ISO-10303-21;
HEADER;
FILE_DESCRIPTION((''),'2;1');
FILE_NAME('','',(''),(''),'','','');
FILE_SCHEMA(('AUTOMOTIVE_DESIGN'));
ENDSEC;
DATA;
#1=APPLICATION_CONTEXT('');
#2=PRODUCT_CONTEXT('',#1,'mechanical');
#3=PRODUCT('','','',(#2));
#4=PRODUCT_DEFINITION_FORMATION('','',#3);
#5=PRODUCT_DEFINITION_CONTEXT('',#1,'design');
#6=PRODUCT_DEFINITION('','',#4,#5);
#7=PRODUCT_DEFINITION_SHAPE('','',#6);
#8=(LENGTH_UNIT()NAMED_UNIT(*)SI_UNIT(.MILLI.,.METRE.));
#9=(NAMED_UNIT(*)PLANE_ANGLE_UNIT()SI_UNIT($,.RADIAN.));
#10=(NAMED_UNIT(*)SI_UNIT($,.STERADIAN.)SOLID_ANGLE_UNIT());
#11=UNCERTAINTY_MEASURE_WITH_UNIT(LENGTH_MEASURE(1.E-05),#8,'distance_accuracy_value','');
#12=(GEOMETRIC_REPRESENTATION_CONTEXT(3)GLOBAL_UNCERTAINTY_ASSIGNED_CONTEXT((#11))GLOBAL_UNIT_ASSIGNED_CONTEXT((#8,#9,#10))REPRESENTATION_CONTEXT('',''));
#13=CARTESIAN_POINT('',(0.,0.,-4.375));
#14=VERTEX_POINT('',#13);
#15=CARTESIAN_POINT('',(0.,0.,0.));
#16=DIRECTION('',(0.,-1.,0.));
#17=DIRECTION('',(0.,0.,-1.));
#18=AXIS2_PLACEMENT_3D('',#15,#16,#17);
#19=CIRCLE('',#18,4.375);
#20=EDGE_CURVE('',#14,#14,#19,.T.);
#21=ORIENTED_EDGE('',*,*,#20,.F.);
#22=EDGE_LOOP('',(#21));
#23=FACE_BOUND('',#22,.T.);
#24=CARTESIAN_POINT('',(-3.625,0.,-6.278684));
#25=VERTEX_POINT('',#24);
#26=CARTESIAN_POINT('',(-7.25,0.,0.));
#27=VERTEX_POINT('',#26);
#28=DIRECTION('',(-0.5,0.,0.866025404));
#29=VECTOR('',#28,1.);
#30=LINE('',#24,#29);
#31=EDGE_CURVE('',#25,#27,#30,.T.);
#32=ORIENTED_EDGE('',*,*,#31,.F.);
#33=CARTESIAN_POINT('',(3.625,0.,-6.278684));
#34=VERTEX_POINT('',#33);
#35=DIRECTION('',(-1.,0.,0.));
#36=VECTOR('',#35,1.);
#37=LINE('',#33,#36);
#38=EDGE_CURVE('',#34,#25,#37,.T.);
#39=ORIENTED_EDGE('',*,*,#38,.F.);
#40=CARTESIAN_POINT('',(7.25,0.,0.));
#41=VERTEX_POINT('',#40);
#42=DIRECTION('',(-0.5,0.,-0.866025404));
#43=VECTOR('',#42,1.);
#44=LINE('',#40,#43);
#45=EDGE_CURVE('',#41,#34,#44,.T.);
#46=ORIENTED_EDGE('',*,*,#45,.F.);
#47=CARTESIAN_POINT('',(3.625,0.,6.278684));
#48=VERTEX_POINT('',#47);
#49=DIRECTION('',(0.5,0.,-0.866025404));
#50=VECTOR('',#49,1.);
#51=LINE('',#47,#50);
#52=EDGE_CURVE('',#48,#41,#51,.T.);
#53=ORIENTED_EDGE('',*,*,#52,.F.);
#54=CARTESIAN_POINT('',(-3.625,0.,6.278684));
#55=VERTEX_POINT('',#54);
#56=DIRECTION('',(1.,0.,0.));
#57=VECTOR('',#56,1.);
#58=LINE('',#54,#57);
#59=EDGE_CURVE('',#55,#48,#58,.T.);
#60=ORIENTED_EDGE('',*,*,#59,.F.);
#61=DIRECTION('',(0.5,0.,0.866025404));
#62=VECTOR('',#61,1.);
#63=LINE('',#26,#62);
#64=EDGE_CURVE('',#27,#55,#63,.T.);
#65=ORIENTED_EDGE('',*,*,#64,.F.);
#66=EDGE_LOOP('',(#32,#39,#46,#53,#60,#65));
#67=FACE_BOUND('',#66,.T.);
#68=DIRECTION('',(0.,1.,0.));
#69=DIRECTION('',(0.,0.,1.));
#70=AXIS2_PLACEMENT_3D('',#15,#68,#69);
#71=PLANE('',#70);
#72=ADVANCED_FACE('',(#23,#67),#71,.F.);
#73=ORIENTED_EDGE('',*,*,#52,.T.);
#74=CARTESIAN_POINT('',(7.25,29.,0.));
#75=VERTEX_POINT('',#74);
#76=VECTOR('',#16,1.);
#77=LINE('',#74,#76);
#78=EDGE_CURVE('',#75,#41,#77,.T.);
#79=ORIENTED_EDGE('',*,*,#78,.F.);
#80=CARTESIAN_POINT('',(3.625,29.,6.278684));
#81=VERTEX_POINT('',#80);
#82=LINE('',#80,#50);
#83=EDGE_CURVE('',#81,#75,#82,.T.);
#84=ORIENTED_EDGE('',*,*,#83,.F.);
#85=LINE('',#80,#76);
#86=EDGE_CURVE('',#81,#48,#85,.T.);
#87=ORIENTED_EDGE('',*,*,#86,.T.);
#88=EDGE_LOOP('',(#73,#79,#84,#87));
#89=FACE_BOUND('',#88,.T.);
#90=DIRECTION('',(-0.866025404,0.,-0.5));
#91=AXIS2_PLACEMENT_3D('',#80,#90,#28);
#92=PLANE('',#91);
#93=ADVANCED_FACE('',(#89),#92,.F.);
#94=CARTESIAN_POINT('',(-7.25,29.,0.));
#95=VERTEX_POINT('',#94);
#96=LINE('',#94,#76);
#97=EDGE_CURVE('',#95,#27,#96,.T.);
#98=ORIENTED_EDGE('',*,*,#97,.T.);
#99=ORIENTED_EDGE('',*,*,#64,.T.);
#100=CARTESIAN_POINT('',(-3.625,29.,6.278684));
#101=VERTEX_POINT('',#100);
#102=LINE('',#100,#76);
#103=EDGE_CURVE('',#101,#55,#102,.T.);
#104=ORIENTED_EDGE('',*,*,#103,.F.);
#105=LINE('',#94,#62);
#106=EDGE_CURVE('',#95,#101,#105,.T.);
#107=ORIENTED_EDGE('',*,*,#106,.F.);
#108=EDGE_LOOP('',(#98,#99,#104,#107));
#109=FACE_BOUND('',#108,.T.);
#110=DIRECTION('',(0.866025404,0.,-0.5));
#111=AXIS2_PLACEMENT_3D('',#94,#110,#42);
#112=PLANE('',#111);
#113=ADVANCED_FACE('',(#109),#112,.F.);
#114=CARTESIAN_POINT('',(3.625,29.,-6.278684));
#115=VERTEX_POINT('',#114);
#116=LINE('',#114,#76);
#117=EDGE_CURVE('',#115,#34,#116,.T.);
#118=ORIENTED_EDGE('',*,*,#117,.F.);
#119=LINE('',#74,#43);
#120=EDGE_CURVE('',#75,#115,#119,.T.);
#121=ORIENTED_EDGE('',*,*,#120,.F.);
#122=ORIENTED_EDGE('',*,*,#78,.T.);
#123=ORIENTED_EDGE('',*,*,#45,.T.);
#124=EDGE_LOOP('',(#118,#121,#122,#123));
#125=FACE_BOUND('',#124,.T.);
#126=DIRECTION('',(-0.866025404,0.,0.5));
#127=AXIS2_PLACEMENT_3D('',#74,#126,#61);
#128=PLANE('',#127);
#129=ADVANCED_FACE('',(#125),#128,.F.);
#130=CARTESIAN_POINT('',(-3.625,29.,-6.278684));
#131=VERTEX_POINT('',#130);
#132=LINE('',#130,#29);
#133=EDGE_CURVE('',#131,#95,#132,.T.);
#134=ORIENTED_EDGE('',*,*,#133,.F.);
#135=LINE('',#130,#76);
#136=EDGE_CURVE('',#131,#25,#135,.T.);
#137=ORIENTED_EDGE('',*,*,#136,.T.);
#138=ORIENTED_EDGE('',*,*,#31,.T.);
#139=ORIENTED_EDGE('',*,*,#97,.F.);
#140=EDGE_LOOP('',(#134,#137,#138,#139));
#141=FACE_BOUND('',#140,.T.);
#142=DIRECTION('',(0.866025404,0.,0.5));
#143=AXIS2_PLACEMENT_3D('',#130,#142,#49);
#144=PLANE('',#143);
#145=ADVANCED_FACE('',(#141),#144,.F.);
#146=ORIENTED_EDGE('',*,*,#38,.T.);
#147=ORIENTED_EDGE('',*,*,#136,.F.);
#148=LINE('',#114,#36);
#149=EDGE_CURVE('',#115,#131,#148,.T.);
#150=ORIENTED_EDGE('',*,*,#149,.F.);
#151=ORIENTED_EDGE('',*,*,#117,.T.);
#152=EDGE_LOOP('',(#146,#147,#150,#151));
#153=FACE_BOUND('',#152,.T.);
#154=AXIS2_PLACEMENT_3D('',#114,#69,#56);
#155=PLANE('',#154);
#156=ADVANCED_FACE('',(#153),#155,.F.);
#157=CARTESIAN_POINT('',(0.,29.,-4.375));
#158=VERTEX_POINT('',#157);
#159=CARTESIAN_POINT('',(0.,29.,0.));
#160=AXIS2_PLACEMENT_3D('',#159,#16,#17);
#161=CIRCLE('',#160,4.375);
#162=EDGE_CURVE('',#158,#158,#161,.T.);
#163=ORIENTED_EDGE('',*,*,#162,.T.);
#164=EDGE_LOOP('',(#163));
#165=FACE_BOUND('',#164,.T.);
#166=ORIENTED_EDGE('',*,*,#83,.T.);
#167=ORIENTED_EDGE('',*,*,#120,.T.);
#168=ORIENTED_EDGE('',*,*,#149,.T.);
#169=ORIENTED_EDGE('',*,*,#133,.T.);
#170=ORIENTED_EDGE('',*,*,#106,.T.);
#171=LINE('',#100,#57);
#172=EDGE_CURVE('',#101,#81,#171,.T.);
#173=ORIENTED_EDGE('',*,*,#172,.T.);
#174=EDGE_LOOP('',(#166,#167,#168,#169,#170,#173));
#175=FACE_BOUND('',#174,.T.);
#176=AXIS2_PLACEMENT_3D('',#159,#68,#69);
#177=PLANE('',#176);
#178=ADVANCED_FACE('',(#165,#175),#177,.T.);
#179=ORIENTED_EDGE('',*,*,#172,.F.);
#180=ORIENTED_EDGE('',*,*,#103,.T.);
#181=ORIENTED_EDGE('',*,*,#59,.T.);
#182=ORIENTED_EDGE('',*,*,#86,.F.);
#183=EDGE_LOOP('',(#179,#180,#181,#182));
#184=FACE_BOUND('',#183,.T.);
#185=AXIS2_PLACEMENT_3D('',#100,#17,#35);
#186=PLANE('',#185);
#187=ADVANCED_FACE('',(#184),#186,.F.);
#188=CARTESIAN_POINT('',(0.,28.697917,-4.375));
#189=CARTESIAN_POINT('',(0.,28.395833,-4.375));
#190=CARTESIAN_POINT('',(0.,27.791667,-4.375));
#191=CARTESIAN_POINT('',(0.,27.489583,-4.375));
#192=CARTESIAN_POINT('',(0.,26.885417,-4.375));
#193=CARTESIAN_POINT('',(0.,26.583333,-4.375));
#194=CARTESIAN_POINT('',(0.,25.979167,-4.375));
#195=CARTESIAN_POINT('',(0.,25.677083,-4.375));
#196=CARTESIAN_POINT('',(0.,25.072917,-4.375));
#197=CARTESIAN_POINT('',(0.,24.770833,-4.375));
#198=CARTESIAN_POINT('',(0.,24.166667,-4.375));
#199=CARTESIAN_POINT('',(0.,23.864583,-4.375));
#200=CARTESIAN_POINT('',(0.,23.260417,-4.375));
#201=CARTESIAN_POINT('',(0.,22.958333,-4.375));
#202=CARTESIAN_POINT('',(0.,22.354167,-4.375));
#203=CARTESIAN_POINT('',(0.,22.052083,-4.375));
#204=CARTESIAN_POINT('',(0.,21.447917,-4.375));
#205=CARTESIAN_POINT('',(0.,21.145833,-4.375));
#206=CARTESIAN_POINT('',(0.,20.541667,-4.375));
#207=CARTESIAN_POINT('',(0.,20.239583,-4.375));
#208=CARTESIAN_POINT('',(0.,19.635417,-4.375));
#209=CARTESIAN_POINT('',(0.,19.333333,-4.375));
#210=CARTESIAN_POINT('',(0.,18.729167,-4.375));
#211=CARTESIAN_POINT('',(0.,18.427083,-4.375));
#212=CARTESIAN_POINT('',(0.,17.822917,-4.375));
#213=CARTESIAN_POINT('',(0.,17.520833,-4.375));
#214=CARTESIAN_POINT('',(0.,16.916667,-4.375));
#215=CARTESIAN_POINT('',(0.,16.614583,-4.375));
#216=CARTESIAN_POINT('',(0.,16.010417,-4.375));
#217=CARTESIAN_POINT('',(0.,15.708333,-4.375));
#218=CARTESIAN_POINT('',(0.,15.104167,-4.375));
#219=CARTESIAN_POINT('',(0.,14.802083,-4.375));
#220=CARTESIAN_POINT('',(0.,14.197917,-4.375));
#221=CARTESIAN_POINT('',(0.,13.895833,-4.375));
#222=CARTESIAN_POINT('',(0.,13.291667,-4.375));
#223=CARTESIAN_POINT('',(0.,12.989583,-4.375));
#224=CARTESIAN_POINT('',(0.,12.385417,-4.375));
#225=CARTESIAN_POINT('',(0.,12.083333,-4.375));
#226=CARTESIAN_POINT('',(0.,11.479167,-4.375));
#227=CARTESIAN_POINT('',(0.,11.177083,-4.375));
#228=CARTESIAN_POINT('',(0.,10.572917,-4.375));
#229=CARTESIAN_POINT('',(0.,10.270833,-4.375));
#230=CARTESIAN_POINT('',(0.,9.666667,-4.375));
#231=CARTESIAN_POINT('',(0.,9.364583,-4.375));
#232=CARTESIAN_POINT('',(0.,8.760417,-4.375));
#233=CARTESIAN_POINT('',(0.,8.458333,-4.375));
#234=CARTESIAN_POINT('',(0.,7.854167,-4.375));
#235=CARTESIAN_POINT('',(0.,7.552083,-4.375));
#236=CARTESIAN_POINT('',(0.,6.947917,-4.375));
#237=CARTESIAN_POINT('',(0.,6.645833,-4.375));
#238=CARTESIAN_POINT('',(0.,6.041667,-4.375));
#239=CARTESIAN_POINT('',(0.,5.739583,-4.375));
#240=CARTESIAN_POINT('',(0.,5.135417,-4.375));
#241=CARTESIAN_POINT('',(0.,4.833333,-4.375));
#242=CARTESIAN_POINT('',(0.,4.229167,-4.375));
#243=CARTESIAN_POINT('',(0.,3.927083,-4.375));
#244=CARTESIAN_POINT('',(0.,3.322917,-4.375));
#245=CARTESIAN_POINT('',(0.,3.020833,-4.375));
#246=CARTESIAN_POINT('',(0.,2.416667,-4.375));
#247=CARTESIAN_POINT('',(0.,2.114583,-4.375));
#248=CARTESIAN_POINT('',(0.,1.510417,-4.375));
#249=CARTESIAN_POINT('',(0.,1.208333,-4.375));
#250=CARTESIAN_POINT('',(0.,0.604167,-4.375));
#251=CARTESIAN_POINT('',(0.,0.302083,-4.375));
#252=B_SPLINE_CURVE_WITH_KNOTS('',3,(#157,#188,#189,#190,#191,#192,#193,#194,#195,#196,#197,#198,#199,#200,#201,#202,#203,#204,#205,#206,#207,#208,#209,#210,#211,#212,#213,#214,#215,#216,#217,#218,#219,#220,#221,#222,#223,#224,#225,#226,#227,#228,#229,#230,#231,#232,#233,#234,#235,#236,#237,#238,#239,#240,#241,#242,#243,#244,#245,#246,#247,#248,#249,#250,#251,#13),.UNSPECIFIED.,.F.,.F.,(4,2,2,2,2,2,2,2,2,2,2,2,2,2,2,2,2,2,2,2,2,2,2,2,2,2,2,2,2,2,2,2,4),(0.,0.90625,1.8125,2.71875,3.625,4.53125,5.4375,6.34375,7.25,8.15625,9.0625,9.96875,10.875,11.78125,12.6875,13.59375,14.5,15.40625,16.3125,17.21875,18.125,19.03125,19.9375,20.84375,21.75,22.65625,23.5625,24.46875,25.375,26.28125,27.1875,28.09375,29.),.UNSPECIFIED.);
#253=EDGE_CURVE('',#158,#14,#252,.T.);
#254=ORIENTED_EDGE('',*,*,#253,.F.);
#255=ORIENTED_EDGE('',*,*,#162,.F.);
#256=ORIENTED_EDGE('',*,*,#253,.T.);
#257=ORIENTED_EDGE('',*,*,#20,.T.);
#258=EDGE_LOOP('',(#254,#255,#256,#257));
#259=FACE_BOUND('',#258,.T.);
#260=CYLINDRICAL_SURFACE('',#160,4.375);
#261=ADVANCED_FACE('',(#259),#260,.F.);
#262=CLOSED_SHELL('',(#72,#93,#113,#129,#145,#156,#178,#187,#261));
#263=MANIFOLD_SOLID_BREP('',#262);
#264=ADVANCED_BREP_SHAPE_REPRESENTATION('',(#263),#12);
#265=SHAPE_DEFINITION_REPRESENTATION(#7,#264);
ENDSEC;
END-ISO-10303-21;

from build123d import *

# Parameters (mm, degrees)
BOSS_EXTRU_1_DEPTH      = 29
ESQUISSE2_R             = 4.375
ENL_V_MAT_EXTRU_1_DEPTH = 29


with BuildPart() as part:
    # Esquisse1 → Boss.-Extru.1 (new body)
    with BuildSketch(Plane(origin=(0, 0, 0), x_dir=(1, 0, 0), z_dir=(0, 1, 0))):
        Polygon((-7.25, 0), (-3.625, -6.278684177), (3.625, -6.278684177), (7.25, 0), (3.625, 6.278684177), (-3.625, 6.278684177), align=None)
    extrude(amount=BOSS_EXTRU_1_DEPTH)

    # Esquisse2 → Enlèv. mat.-Extru.1 (cut)
    with BuildSketch(Plane.XZ):
        with Locations(Location((0, 0, 0), (0, 0, 270))):
            Circle(ESQUISSE2_R)
    extrude(amount=-ENL_V_MAT_EXTRU_1_DEPTH, mode=Mode.SUBTRACT)


solid = part.part
